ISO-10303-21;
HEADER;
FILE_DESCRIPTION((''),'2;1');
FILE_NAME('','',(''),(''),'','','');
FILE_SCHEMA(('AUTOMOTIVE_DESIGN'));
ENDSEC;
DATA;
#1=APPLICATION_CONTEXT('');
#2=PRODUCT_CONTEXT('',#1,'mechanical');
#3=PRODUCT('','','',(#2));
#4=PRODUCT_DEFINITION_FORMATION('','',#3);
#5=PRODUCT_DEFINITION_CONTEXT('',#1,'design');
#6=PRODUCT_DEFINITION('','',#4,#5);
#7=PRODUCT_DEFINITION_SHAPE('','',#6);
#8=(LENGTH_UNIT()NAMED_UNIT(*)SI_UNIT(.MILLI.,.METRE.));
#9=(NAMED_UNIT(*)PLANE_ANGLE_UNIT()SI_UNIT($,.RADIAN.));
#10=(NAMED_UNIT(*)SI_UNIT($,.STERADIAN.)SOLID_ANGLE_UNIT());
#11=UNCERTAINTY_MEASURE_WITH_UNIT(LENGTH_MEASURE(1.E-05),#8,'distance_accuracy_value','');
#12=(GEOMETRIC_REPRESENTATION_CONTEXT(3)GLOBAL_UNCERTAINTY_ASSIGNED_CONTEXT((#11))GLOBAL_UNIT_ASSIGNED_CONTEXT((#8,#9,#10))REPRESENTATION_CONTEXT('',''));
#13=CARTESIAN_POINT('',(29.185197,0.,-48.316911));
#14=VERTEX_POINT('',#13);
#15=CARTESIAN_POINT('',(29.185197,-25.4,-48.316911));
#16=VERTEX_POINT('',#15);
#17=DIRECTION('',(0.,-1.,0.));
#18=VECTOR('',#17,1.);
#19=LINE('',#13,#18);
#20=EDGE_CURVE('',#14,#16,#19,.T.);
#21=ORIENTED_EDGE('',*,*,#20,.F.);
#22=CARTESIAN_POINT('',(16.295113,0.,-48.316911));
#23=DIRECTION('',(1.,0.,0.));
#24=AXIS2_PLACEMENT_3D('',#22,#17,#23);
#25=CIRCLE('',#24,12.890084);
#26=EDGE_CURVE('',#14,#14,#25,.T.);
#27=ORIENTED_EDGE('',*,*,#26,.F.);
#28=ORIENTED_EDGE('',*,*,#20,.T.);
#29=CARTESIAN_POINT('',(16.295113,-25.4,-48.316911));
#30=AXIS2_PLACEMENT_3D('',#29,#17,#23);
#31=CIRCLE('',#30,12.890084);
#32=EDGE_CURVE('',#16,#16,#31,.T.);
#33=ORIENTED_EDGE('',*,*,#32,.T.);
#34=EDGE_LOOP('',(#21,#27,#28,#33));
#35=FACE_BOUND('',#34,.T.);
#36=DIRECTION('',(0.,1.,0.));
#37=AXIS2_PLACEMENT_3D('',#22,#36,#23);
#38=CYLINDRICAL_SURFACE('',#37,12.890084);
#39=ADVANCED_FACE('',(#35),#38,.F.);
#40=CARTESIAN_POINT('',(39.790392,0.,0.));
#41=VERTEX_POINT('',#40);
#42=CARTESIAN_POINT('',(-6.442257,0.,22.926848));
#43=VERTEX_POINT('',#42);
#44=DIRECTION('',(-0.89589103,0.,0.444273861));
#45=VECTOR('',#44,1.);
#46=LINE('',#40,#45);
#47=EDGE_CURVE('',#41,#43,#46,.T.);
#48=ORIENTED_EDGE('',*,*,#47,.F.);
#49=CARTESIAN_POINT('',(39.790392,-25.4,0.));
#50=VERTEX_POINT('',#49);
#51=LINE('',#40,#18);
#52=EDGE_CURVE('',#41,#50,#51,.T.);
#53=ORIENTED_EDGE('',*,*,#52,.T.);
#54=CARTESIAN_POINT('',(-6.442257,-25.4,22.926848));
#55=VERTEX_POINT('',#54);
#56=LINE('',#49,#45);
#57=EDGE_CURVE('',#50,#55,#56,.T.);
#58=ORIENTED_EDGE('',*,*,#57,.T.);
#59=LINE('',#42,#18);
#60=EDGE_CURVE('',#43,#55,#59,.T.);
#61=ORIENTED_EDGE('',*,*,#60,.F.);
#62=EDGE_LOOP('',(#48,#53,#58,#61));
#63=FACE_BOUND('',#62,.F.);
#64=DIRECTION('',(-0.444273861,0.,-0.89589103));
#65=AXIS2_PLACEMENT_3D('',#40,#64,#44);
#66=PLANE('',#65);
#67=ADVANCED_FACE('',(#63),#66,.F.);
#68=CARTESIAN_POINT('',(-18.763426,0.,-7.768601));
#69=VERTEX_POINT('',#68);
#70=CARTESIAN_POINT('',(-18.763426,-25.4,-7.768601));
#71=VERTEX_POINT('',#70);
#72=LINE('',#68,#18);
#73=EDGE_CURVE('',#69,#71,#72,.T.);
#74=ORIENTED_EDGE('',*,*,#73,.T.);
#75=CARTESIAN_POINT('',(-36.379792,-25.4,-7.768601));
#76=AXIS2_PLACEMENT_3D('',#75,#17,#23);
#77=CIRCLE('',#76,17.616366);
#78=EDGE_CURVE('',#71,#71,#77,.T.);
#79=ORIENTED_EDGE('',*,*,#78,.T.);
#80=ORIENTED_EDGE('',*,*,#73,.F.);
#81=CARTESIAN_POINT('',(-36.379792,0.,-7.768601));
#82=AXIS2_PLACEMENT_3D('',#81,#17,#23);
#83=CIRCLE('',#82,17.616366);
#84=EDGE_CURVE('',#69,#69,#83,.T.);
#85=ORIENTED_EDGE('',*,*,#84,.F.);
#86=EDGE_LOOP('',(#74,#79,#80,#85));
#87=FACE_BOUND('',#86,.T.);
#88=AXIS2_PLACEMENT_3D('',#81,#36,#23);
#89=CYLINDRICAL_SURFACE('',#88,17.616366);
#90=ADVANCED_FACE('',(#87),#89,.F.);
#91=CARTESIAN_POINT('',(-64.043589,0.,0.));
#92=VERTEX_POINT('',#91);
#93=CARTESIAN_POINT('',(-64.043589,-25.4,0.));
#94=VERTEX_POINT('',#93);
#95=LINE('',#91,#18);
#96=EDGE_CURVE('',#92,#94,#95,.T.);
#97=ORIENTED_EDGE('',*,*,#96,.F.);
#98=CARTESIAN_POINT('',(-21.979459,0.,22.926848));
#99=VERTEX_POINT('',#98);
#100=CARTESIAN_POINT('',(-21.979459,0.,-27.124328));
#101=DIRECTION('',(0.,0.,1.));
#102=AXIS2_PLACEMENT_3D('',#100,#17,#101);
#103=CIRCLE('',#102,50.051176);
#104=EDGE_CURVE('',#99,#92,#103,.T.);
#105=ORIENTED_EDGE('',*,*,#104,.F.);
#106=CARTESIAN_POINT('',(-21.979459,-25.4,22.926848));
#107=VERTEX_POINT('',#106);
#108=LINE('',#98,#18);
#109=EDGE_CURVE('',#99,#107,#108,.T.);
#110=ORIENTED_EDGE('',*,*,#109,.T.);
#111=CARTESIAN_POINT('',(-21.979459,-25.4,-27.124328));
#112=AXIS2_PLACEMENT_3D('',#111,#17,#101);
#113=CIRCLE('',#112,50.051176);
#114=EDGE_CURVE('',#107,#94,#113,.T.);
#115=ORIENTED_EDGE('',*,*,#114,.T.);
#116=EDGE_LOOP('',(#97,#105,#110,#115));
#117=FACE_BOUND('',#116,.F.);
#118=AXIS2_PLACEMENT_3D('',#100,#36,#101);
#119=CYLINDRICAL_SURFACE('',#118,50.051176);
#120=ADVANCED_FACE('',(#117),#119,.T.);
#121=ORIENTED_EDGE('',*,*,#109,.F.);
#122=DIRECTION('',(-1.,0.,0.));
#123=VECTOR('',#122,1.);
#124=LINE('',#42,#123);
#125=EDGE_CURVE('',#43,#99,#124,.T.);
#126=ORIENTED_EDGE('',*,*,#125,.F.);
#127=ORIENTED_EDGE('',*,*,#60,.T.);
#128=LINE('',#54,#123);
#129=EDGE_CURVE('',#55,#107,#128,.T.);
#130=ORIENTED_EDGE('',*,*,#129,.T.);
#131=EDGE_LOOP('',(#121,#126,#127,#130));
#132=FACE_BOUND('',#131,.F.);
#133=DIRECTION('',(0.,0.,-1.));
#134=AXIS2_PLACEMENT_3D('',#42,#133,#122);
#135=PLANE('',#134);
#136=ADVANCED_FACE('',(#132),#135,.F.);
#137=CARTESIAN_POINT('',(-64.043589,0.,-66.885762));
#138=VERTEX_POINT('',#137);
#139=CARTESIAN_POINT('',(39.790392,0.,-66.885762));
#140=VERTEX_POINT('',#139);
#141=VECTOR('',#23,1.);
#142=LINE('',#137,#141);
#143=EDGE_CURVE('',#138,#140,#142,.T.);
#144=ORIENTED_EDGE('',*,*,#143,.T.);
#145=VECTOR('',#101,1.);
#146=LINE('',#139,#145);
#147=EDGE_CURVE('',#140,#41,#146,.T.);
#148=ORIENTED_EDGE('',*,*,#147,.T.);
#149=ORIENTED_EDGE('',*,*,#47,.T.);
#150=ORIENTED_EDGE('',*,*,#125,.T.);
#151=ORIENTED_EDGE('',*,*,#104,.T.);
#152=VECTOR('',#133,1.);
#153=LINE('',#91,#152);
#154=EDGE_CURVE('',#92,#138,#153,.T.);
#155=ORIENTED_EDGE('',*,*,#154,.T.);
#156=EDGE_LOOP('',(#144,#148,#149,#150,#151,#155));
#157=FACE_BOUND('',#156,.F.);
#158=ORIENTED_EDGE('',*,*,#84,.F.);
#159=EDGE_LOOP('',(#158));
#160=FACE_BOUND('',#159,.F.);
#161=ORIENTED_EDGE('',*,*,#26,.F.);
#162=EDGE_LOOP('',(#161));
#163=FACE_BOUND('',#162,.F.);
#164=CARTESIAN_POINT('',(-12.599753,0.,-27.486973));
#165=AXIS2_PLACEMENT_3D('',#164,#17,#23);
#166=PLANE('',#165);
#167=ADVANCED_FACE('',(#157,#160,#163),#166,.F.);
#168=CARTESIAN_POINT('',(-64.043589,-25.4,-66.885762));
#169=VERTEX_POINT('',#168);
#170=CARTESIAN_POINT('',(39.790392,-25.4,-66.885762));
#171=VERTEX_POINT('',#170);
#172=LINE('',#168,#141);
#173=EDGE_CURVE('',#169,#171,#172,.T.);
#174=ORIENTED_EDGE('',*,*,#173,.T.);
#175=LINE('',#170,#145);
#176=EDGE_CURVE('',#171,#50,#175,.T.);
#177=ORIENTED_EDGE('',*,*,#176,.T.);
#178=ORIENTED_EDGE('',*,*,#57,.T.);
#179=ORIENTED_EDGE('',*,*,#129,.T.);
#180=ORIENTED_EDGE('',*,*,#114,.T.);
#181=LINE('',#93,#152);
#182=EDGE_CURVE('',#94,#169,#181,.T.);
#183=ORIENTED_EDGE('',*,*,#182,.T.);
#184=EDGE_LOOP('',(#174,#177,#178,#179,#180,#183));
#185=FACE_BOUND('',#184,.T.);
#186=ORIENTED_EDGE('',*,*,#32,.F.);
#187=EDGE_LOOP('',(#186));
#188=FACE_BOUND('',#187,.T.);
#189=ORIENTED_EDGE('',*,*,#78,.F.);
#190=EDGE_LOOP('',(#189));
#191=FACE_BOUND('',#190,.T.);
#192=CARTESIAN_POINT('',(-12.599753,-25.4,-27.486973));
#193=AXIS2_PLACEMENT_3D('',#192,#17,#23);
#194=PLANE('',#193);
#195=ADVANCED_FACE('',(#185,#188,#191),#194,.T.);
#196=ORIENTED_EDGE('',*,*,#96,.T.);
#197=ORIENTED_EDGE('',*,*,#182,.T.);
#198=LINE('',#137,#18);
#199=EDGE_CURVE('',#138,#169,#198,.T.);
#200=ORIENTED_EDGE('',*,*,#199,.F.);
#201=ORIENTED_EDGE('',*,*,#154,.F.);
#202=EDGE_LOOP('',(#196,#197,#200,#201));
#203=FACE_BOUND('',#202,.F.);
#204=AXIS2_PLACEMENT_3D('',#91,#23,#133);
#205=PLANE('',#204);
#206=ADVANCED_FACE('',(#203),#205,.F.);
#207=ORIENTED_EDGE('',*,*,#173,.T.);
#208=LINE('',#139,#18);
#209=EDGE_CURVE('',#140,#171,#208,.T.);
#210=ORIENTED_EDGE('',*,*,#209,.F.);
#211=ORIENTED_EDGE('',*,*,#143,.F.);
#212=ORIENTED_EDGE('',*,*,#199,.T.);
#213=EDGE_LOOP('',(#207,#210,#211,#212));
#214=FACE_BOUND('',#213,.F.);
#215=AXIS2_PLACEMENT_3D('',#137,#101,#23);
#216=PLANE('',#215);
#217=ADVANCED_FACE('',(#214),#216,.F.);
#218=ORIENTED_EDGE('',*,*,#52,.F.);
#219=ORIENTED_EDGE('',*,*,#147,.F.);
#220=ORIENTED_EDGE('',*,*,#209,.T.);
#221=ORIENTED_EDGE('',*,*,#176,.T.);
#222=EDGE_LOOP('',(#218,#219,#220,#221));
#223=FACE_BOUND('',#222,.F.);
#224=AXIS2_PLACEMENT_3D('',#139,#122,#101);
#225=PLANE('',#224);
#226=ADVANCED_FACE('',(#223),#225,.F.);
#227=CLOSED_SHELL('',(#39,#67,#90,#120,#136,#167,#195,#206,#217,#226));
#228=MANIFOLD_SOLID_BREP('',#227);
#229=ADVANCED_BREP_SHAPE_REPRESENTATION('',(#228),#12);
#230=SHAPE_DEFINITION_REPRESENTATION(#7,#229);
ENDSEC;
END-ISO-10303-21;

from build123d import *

# Parameters (mm, degrees)
F0_R     = 12.890084
F0_R_2   = 17.616366
F1_DEPTH = 25.4


with BuildPart() as f1:
    # F0 (on Front) → F1 (new body)
    with BuildSketch(Plane.XZ):
        with BuildLine():
            ThreePointArc((-21.979459, 22.926848), (-45.932702, 16.82294), (-64.043589, 0))
            Line((-64.043589, 0), (-64.043589, -66.885762))
            Line((-64.043589, -66.885762), (39.790392, -66.885762))
            Line((39.790392, -66.885762), (39.790392, 0))
            Line((39.790392, 0), (-6.442257, 22.926848))
            Line((-6.442257, 22.926848), (-21.979459, 22.926848))
        make_face()
        with Locations((16.295113, -48.316911)):
            Circle(F0_R, mode=Mode.SUBTRACT)
        with Locations((-36.379792, -7.768601)):
            Circle(F0_R_2, mode=Mode.SUBTRACT)
    extrude(amount=F1_DEPTH)


solid = f1.part
